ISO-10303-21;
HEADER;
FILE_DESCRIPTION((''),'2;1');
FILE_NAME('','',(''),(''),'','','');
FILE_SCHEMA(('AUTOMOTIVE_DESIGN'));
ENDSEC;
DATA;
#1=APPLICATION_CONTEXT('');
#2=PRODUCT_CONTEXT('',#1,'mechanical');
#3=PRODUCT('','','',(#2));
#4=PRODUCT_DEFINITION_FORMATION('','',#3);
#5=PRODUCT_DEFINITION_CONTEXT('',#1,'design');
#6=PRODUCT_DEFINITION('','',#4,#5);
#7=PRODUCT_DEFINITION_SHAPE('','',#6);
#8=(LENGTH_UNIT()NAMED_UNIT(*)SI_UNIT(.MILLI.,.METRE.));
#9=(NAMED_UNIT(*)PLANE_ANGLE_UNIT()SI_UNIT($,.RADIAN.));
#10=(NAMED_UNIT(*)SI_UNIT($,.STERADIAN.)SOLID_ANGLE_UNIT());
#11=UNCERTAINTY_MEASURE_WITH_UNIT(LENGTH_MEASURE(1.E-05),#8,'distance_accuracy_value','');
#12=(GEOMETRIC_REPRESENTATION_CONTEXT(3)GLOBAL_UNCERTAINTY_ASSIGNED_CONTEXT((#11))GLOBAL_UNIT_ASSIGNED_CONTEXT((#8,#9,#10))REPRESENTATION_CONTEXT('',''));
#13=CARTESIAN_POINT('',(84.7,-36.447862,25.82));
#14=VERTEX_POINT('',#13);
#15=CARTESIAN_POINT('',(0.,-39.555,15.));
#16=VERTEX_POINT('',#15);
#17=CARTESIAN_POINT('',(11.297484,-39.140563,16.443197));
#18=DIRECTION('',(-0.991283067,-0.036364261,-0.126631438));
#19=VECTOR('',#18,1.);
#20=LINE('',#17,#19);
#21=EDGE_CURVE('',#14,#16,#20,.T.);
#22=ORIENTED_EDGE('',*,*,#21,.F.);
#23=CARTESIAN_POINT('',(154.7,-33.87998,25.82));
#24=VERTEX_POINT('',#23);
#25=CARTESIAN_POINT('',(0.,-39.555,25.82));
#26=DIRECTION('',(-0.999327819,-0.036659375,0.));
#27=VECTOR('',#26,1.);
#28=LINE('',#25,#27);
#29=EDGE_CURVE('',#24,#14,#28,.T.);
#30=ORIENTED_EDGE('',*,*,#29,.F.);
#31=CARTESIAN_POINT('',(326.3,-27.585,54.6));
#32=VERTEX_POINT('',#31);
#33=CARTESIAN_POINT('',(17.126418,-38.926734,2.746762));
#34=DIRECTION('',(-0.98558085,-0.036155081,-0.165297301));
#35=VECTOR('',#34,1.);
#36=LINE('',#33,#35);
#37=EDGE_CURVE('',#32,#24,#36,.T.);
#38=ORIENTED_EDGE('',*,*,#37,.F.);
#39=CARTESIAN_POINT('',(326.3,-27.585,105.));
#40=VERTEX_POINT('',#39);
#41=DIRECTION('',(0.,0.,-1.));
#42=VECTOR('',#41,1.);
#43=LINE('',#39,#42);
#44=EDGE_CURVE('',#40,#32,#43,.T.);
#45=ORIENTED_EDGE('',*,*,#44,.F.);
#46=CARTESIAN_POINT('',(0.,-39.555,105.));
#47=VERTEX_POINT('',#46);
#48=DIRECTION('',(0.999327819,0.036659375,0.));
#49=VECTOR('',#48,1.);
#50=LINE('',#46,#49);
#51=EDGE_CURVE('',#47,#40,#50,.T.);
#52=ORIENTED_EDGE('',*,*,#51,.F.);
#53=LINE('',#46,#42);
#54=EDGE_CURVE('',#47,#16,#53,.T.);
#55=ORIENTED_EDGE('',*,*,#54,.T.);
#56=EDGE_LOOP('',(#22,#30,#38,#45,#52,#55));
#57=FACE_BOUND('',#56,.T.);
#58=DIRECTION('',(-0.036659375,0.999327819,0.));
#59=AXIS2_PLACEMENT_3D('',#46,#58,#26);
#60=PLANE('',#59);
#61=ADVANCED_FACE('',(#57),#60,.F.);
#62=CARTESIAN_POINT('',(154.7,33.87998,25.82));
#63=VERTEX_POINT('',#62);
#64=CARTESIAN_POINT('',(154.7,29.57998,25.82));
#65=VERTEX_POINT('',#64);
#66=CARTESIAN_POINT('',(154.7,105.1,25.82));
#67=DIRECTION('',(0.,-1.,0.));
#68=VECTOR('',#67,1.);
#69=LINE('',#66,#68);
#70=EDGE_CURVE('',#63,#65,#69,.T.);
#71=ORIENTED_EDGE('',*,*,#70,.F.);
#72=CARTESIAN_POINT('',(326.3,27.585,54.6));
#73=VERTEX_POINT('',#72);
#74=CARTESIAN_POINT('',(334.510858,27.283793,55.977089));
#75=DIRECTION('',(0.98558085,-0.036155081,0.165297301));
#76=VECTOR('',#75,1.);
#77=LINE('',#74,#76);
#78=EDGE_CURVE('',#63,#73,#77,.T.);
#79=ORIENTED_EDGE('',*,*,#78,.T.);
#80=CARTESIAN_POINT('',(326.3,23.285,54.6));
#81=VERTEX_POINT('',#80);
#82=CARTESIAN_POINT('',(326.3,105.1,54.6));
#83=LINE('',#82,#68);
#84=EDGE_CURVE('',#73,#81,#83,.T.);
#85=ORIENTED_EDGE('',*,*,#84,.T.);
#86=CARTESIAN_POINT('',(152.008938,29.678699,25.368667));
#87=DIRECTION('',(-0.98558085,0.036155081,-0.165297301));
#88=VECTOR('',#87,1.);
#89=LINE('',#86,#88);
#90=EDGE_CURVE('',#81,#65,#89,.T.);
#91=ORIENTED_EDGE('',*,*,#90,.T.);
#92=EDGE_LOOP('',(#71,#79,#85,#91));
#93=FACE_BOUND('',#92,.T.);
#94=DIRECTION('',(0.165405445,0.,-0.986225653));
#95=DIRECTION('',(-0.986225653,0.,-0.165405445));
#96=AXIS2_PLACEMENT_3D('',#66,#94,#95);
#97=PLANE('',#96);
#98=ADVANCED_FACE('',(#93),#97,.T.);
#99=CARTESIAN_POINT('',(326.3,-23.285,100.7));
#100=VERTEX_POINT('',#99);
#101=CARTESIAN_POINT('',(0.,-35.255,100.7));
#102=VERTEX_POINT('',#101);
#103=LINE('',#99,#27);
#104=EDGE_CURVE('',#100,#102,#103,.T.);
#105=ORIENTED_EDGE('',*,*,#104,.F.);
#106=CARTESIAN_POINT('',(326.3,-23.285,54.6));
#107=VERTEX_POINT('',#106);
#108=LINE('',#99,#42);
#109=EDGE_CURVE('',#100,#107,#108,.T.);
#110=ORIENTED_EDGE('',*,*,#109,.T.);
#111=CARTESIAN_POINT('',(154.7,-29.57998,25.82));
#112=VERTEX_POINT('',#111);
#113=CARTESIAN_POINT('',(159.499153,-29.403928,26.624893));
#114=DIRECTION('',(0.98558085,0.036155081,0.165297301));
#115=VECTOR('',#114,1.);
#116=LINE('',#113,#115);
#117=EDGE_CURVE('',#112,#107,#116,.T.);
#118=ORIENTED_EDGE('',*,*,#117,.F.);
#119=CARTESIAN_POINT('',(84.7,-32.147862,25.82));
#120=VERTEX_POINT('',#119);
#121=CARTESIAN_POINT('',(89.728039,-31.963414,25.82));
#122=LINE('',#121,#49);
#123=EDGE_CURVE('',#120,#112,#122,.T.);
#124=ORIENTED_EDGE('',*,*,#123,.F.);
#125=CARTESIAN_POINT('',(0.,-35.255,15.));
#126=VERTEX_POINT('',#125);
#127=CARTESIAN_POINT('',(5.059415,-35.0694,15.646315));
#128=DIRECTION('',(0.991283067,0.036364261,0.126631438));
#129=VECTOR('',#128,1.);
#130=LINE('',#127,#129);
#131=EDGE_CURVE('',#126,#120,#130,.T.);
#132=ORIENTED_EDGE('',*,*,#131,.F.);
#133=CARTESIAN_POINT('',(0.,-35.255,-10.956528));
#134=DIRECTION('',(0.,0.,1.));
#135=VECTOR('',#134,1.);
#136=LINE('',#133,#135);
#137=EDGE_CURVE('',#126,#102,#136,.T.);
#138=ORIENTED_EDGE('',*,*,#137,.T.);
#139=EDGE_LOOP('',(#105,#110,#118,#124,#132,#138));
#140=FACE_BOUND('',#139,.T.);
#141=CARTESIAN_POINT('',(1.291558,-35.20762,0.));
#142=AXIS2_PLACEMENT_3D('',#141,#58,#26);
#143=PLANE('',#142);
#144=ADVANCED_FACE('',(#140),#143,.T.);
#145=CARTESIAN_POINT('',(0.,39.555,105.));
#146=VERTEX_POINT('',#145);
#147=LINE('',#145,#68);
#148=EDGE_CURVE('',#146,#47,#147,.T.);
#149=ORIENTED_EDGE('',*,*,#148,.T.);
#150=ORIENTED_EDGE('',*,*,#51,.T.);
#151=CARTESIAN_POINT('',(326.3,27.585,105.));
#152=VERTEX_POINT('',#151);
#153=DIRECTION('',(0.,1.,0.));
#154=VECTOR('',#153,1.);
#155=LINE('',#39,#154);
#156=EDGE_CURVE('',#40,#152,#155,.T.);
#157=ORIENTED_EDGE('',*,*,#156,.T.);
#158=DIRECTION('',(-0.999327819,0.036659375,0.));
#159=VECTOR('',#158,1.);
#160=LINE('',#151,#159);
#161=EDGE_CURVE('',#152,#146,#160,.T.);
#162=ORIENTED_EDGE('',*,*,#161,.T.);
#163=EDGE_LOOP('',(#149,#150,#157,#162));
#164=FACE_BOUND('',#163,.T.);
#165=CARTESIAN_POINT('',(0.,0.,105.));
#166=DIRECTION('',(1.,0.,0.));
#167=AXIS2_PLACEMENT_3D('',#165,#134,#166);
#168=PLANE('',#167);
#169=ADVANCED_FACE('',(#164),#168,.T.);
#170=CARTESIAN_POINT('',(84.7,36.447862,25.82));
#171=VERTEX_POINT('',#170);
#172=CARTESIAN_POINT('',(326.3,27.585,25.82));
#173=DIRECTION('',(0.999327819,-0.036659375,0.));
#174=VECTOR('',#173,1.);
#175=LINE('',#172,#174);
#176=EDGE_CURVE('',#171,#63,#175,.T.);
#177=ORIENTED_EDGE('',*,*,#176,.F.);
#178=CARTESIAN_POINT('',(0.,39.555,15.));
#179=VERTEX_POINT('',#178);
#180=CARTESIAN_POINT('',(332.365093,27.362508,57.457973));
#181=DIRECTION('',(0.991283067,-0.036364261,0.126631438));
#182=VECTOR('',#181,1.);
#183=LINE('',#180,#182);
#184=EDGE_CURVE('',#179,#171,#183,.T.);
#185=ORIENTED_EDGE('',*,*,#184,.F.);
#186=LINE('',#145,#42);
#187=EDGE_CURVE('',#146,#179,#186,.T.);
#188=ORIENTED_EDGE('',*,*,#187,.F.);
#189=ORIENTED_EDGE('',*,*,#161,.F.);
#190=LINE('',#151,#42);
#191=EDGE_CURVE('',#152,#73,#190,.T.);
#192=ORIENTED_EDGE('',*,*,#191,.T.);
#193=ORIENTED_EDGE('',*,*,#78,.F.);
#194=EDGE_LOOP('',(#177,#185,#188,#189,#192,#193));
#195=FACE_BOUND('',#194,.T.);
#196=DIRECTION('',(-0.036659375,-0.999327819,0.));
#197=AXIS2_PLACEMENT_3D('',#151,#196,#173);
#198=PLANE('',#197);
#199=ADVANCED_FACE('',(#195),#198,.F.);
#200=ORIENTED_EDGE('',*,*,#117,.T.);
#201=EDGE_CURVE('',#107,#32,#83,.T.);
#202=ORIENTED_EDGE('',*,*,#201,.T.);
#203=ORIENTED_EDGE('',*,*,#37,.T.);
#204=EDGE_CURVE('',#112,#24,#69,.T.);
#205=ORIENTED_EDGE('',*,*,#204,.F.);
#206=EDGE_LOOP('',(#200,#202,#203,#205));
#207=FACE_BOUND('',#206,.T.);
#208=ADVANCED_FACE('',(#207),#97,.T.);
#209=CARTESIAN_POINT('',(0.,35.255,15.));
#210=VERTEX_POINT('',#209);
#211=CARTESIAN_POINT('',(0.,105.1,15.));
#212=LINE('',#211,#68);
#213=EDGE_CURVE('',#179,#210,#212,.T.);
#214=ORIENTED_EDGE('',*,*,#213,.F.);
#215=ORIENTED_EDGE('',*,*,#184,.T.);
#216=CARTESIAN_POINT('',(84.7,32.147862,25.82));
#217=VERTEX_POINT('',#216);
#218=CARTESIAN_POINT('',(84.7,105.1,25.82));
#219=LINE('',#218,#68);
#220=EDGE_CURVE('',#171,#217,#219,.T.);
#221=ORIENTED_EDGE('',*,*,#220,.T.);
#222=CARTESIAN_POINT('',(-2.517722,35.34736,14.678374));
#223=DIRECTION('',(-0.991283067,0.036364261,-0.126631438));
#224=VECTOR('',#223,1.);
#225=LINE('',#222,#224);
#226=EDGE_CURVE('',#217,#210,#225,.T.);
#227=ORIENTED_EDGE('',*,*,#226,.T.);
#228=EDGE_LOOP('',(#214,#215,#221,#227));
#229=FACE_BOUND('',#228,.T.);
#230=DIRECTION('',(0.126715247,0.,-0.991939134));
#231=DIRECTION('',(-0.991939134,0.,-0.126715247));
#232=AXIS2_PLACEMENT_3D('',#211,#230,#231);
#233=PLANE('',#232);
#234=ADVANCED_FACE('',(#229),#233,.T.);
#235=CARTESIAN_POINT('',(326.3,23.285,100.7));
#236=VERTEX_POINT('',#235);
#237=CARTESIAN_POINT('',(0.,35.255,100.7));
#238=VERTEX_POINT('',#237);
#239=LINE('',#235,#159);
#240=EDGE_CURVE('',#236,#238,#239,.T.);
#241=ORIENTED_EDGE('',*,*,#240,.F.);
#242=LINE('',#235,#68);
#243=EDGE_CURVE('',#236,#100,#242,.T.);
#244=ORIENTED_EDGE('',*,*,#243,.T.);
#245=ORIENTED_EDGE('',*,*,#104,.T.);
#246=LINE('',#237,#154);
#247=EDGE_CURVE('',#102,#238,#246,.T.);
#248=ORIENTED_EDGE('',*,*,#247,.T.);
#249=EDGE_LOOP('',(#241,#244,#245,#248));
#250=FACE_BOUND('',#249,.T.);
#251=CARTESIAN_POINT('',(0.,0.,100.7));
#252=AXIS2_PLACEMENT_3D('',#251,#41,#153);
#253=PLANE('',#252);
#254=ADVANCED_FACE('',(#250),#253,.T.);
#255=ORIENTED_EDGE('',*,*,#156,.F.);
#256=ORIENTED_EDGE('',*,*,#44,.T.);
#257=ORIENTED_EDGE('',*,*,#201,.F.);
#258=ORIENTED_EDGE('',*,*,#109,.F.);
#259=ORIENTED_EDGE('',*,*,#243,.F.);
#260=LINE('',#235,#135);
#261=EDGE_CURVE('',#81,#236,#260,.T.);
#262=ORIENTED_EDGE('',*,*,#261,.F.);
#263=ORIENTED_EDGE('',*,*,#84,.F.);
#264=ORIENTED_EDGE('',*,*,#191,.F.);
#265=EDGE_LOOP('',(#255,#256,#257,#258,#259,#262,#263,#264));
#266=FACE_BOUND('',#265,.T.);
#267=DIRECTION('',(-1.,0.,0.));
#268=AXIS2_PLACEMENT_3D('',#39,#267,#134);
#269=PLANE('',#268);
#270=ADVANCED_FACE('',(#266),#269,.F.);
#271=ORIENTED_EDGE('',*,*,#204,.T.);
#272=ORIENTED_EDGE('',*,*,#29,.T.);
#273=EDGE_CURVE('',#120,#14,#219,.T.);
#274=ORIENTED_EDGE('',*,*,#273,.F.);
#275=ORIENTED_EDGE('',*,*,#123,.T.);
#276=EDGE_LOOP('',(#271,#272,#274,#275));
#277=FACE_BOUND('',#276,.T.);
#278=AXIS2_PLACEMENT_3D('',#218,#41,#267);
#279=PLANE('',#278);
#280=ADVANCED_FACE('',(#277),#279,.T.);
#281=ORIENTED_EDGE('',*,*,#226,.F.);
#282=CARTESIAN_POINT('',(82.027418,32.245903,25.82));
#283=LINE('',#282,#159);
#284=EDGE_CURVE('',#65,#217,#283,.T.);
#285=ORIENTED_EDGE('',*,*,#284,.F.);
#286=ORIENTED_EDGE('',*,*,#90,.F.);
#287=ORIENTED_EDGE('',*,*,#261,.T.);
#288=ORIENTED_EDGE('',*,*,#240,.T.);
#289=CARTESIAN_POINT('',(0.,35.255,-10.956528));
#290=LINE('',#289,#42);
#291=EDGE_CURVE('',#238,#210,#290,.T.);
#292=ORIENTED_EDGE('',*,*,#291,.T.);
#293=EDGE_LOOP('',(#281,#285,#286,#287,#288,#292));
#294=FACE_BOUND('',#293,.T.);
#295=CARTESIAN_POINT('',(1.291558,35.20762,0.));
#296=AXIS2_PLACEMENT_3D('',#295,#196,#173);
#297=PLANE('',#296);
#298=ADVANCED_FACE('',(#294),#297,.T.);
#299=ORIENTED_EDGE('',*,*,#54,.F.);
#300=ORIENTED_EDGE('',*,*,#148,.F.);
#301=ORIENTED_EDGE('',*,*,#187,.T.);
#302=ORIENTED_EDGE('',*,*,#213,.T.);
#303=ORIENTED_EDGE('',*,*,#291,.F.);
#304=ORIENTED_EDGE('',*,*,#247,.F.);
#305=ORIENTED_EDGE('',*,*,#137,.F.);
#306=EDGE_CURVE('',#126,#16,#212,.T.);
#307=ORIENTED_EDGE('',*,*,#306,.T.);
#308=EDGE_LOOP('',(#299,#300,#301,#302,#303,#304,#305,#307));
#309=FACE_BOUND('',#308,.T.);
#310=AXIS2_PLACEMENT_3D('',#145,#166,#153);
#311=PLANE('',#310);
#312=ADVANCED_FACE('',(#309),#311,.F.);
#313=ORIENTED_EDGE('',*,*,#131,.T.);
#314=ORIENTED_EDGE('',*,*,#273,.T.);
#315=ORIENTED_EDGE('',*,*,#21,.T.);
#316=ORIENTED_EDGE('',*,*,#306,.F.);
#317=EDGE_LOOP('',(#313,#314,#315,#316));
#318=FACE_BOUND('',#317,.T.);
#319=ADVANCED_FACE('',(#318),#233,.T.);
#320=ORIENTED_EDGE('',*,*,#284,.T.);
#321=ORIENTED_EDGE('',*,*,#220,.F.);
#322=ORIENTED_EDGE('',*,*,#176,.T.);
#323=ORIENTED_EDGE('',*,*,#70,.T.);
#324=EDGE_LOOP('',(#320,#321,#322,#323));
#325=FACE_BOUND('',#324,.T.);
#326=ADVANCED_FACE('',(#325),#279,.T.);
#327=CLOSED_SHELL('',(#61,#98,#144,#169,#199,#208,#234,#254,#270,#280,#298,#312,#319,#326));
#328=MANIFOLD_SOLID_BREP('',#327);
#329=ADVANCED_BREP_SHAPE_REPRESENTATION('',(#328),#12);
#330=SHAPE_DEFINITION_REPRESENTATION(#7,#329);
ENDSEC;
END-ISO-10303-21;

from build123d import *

# Parameters (mm, degrees)
BOSS_EXTRUDE1_DEPTH     = 105
CUT_EXTRUDE1_DEPTH      = 105.1
CUT_EXTRUDE1_DEPTH_BACK = 105.1
SKETCH4_W               = 78.145475997
SKETCH4_H               = 46.57
SKETCH5_W               = 111.656527507
SKETCH5_H               = 70.51


with BuildPart() as part:
    # Sketch1 → Boss-Extrude1 (new body)
    with BuildSketch(Plane.XY):
        Polygon((0, 39.555), (0, -39.555), (326.3, -27.585), (326.3, 27.585), align=None)
    extrude(amount=BOSS_EXTRUDE1_DEPTH)

    # Sketch3 → Cut-Extrude1 (cut, two sides)
    with BuildSketch(Plane(origin=(0, 0, 0), x_dir=(1, 0, 0), z_dir=(0, 1, 0))) as cut_extrude1_sk:
        Polygon((0, -15), (84.7, -25.82), (154.7, -25.82), (326.3, -54.6), (326.3, 36.079011671), (0, 41.113860107), align=None)
    extrude(amount=CUT_EXTRUDE1_DEPTH, mode=Mode.SUBTRACT)
    extrude(cut_extrude1_sk.sketch, amount=-CUT_EXTRUDE1_DEPTH_BACK, mode=Mode.SUBTRACT)

    # Sketch4 → Cut-Loft1 section 0
    with BuildSketch(Plane(origin=(326.3, 0, 0), x_dir=(0, 0, -1), z_dir=(1, 0, 0))):
        with Locations((-61.627262002, 0)):
            Rectangle(SKETCH4_W, SKETCH4_H)
    # Sketch5 → Cut-Loft1 section 1
    with BuildSketch(Plane.ZY):
        with Locations((44.871736246, 0)):
            Rectangle(SKETCH5_W, SKETCH5_H)
    loft(mode=Mode.SUBTRACT)


solid = part.part
